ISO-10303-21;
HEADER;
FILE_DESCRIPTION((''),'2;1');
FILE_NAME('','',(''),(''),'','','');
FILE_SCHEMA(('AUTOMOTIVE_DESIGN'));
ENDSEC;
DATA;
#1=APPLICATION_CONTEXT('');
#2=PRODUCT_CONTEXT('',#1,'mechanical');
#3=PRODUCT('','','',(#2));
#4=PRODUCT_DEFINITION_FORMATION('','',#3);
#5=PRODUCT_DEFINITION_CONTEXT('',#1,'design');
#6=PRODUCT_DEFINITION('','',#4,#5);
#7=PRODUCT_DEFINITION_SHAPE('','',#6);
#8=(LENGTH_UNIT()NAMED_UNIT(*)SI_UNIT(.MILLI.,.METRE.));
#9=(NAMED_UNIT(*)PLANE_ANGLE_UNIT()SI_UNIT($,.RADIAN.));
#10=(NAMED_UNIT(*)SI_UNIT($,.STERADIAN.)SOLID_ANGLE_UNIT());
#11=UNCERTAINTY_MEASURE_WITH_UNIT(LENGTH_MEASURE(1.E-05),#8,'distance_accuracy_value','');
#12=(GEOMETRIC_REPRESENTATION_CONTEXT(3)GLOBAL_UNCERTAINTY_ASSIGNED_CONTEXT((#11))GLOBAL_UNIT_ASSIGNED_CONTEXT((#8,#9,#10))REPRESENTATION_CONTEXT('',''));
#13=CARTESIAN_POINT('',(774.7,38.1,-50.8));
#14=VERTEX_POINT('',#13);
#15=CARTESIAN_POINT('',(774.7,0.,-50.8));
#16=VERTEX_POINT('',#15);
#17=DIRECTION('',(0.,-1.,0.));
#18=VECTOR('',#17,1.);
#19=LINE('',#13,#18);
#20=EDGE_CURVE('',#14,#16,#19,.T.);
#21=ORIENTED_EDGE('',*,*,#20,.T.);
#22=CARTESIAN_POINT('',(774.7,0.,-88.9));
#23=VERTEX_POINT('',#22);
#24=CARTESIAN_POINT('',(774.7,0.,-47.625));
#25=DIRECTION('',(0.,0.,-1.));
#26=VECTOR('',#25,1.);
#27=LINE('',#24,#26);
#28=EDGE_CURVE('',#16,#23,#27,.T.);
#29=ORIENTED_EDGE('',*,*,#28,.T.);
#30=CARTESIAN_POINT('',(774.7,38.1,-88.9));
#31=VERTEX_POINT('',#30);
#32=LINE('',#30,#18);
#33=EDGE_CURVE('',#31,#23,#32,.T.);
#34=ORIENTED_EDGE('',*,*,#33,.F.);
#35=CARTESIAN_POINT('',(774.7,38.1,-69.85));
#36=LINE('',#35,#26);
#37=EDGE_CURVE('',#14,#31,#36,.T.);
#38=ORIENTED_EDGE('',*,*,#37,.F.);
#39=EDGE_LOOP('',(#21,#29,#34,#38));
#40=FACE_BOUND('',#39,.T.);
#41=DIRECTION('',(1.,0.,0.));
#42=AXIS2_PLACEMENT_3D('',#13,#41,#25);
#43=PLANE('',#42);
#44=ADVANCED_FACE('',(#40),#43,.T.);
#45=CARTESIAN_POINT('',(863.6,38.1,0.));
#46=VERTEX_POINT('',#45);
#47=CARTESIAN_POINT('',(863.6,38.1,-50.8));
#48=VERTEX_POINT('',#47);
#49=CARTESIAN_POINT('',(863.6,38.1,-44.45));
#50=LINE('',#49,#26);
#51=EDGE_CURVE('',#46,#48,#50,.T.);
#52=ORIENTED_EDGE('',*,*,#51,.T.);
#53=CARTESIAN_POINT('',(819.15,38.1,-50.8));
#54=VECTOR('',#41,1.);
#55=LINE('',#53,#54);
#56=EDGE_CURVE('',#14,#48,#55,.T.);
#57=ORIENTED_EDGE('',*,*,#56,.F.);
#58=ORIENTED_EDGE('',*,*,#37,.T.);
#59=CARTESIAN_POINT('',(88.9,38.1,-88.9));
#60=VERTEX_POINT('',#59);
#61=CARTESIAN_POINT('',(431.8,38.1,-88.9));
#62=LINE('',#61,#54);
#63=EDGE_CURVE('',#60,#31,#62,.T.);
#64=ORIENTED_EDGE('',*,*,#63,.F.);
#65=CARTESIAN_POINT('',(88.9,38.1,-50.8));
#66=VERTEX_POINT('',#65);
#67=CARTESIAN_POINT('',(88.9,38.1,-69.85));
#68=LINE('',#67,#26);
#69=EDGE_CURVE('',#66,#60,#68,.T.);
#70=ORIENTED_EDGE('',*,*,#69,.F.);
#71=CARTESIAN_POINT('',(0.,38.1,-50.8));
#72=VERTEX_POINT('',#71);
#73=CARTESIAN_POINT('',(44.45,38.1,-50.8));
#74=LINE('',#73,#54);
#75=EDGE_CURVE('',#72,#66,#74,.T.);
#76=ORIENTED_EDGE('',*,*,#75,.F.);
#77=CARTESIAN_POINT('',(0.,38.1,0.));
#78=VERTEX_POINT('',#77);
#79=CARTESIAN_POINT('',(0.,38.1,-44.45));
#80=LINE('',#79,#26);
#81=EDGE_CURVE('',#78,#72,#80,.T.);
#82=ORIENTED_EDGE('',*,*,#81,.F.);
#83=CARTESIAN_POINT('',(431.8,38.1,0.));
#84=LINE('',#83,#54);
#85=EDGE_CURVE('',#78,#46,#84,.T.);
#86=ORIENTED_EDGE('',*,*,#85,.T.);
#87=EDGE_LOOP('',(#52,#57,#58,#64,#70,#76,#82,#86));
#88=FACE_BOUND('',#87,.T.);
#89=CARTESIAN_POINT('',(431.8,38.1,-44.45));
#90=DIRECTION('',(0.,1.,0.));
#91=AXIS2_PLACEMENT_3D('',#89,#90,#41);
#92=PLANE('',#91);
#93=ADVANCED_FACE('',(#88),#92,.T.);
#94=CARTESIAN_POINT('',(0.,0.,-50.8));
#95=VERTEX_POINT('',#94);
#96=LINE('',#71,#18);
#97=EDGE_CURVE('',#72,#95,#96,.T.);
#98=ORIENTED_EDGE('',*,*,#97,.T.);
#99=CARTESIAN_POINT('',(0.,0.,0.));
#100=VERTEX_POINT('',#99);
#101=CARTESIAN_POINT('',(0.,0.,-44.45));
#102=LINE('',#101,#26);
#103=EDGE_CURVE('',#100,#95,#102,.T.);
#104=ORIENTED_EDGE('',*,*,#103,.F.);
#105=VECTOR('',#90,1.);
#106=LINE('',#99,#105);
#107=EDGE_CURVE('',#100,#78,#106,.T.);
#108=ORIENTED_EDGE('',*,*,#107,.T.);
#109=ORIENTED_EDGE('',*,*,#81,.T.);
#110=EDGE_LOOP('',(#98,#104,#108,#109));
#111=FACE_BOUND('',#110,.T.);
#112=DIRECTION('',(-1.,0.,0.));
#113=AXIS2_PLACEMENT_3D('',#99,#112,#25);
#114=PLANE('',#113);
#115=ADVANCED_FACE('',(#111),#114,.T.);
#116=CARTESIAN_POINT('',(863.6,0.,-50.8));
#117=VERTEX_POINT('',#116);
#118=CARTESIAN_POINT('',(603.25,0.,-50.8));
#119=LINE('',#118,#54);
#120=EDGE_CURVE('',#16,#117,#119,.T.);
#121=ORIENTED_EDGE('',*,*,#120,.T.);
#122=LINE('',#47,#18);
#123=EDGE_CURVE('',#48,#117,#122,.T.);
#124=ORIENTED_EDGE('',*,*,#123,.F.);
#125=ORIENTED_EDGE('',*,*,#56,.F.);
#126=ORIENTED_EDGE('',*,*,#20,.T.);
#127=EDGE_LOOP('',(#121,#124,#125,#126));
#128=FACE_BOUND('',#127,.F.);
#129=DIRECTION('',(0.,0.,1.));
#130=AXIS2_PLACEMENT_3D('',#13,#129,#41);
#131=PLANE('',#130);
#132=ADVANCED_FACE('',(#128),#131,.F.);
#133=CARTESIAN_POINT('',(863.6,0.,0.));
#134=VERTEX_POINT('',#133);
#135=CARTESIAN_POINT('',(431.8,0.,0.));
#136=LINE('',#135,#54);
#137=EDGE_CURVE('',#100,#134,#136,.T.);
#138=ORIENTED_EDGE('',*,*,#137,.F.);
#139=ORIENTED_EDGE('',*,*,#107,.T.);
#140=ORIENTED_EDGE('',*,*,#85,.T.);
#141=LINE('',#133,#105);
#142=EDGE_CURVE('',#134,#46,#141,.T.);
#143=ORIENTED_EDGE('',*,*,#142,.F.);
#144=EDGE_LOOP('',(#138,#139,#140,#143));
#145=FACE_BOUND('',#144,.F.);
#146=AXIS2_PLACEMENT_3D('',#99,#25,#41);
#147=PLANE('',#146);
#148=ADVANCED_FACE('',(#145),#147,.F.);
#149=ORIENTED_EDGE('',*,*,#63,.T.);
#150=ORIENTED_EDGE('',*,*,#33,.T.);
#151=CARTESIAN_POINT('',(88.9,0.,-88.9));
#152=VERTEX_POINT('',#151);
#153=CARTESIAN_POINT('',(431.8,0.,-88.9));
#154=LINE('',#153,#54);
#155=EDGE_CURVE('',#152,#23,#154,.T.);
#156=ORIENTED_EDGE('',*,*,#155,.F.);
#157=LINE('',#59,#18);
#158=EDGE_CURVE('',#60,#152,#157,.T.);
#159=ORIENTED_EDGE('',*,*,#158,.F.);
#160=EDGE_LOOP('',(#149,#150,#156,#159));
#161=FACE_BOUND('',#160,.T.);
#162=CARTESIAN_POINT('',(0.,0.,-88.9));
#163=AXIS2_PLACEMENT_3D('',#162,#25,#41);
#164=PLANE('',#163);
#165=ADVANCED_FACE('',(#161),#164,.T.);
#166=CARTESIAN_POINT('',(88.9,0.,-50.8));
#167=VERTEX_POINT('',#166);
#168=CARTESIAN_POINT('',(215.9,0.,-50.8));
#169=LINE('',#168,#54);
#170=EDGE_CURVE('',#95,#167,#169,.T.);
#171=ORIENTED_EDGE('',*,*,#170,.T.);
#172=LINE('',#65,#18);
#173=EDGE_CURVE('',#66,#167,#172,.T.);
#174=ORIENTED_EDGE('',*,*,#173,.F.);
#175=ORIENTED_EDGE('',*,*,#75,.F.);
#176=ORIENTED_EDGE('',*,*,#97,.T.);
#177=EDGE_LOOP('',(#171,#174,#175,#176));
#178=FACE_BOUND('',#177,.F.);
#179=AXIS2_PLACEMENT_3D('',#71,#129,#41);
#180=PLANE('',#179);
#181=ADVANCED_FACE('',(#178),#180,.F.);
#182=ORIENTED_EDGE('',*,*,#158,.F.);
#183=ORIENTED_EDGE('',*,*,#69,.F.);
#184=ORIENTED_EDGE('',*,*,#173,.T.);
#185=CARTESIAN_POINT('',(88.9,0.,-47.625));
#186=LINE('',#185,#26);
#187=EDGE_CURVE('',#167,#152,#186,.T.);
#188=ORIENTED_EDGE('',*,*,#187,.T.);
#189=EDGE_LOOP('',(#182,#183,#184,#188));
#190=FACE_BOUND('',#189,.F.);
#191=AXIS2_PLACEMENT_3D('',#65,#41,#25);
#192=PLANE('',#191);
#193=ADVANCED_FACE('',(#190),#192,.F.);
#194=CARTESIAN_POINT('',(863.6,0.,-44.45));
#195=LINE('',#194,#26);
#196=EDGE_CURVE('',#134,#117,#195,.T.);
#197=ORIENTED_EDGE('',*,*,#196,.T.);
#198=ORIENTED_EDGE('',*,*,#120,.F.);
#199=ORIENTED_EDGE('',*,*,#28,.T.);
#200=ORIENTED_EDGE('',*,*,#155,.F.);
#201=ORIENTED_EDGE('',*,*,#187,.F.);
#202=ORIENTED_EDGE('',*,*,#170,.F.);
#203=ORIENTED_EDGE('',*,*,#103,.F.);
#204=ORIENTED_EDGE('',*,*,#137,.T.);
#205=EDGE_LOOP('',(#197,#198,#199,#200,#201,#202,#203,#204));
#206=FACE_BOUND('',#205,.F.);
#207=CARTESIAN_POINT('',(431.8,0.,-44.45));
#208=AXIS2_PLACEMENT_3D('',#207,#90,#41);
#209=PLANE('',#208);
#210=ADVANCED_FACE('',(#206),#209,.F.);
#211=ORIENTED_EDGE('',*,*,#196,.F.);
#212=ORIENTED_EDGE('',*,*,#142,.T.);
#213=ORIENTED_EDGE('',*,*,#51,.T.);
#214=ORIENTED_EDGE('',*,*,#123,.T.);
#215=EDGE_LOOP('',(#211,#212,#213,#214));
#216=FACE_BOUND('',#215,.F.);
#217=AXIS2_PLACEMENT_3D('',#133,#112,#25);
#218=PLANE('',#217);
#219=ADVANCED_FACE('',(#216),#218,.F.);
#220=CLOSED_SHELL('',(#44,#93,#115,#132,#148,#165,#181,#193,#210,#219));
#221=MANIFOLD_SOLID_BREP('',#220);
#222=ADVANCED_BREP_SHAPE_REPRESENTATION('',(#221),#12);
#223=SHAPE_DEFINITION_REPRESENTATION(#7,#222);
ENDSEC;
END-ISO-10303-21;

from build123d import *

# Parameters (mm, degrees)
SKETCH1_W           = 863.6
SKETCH1_H           = 88.9
BOSS_EXTRUDE1_DEPTH = 38.1
SKETCH3_W           = 88.9
SKETCH3_H           = 38.1
CUT_EXTRUDE1_DEPTH  = 39.1


with BuildPart() as part:
    # Sketch1 → Boss-Extrude1 (new body)
    with BuildSketch(Plane(origin=(0, 0, 0), x_dir=(1, 0, 0), z_dir=(0, 1, 0))):
        with Locations((431.8, 44.45)):
            Rectangle(SKETCH1_W, SKETCH1_H)
    extrude(amount=BOSS_EXTRUDE1_DEPTH)

    # Sketch3 → Cut-Extrude1 (cut, through all)
    with BuildSketch(Plane(origin=(0, 38.1, 0), x_dir=(1, 0, 0), z_dir=(0, 1, 0))):
        with Locations((44.45, 69.85)):
            Rectangle(SKETCH3_W, SKETCH3_H)
        with Locations((819.15, 69.85)):
            Rectangle(SKETCH3_W, SKETCH3_H)
    extrude(amount=-CUT_EXTRUDE1_DEPTH, mode=Mode.SUBTRACT)


solid = part.part
